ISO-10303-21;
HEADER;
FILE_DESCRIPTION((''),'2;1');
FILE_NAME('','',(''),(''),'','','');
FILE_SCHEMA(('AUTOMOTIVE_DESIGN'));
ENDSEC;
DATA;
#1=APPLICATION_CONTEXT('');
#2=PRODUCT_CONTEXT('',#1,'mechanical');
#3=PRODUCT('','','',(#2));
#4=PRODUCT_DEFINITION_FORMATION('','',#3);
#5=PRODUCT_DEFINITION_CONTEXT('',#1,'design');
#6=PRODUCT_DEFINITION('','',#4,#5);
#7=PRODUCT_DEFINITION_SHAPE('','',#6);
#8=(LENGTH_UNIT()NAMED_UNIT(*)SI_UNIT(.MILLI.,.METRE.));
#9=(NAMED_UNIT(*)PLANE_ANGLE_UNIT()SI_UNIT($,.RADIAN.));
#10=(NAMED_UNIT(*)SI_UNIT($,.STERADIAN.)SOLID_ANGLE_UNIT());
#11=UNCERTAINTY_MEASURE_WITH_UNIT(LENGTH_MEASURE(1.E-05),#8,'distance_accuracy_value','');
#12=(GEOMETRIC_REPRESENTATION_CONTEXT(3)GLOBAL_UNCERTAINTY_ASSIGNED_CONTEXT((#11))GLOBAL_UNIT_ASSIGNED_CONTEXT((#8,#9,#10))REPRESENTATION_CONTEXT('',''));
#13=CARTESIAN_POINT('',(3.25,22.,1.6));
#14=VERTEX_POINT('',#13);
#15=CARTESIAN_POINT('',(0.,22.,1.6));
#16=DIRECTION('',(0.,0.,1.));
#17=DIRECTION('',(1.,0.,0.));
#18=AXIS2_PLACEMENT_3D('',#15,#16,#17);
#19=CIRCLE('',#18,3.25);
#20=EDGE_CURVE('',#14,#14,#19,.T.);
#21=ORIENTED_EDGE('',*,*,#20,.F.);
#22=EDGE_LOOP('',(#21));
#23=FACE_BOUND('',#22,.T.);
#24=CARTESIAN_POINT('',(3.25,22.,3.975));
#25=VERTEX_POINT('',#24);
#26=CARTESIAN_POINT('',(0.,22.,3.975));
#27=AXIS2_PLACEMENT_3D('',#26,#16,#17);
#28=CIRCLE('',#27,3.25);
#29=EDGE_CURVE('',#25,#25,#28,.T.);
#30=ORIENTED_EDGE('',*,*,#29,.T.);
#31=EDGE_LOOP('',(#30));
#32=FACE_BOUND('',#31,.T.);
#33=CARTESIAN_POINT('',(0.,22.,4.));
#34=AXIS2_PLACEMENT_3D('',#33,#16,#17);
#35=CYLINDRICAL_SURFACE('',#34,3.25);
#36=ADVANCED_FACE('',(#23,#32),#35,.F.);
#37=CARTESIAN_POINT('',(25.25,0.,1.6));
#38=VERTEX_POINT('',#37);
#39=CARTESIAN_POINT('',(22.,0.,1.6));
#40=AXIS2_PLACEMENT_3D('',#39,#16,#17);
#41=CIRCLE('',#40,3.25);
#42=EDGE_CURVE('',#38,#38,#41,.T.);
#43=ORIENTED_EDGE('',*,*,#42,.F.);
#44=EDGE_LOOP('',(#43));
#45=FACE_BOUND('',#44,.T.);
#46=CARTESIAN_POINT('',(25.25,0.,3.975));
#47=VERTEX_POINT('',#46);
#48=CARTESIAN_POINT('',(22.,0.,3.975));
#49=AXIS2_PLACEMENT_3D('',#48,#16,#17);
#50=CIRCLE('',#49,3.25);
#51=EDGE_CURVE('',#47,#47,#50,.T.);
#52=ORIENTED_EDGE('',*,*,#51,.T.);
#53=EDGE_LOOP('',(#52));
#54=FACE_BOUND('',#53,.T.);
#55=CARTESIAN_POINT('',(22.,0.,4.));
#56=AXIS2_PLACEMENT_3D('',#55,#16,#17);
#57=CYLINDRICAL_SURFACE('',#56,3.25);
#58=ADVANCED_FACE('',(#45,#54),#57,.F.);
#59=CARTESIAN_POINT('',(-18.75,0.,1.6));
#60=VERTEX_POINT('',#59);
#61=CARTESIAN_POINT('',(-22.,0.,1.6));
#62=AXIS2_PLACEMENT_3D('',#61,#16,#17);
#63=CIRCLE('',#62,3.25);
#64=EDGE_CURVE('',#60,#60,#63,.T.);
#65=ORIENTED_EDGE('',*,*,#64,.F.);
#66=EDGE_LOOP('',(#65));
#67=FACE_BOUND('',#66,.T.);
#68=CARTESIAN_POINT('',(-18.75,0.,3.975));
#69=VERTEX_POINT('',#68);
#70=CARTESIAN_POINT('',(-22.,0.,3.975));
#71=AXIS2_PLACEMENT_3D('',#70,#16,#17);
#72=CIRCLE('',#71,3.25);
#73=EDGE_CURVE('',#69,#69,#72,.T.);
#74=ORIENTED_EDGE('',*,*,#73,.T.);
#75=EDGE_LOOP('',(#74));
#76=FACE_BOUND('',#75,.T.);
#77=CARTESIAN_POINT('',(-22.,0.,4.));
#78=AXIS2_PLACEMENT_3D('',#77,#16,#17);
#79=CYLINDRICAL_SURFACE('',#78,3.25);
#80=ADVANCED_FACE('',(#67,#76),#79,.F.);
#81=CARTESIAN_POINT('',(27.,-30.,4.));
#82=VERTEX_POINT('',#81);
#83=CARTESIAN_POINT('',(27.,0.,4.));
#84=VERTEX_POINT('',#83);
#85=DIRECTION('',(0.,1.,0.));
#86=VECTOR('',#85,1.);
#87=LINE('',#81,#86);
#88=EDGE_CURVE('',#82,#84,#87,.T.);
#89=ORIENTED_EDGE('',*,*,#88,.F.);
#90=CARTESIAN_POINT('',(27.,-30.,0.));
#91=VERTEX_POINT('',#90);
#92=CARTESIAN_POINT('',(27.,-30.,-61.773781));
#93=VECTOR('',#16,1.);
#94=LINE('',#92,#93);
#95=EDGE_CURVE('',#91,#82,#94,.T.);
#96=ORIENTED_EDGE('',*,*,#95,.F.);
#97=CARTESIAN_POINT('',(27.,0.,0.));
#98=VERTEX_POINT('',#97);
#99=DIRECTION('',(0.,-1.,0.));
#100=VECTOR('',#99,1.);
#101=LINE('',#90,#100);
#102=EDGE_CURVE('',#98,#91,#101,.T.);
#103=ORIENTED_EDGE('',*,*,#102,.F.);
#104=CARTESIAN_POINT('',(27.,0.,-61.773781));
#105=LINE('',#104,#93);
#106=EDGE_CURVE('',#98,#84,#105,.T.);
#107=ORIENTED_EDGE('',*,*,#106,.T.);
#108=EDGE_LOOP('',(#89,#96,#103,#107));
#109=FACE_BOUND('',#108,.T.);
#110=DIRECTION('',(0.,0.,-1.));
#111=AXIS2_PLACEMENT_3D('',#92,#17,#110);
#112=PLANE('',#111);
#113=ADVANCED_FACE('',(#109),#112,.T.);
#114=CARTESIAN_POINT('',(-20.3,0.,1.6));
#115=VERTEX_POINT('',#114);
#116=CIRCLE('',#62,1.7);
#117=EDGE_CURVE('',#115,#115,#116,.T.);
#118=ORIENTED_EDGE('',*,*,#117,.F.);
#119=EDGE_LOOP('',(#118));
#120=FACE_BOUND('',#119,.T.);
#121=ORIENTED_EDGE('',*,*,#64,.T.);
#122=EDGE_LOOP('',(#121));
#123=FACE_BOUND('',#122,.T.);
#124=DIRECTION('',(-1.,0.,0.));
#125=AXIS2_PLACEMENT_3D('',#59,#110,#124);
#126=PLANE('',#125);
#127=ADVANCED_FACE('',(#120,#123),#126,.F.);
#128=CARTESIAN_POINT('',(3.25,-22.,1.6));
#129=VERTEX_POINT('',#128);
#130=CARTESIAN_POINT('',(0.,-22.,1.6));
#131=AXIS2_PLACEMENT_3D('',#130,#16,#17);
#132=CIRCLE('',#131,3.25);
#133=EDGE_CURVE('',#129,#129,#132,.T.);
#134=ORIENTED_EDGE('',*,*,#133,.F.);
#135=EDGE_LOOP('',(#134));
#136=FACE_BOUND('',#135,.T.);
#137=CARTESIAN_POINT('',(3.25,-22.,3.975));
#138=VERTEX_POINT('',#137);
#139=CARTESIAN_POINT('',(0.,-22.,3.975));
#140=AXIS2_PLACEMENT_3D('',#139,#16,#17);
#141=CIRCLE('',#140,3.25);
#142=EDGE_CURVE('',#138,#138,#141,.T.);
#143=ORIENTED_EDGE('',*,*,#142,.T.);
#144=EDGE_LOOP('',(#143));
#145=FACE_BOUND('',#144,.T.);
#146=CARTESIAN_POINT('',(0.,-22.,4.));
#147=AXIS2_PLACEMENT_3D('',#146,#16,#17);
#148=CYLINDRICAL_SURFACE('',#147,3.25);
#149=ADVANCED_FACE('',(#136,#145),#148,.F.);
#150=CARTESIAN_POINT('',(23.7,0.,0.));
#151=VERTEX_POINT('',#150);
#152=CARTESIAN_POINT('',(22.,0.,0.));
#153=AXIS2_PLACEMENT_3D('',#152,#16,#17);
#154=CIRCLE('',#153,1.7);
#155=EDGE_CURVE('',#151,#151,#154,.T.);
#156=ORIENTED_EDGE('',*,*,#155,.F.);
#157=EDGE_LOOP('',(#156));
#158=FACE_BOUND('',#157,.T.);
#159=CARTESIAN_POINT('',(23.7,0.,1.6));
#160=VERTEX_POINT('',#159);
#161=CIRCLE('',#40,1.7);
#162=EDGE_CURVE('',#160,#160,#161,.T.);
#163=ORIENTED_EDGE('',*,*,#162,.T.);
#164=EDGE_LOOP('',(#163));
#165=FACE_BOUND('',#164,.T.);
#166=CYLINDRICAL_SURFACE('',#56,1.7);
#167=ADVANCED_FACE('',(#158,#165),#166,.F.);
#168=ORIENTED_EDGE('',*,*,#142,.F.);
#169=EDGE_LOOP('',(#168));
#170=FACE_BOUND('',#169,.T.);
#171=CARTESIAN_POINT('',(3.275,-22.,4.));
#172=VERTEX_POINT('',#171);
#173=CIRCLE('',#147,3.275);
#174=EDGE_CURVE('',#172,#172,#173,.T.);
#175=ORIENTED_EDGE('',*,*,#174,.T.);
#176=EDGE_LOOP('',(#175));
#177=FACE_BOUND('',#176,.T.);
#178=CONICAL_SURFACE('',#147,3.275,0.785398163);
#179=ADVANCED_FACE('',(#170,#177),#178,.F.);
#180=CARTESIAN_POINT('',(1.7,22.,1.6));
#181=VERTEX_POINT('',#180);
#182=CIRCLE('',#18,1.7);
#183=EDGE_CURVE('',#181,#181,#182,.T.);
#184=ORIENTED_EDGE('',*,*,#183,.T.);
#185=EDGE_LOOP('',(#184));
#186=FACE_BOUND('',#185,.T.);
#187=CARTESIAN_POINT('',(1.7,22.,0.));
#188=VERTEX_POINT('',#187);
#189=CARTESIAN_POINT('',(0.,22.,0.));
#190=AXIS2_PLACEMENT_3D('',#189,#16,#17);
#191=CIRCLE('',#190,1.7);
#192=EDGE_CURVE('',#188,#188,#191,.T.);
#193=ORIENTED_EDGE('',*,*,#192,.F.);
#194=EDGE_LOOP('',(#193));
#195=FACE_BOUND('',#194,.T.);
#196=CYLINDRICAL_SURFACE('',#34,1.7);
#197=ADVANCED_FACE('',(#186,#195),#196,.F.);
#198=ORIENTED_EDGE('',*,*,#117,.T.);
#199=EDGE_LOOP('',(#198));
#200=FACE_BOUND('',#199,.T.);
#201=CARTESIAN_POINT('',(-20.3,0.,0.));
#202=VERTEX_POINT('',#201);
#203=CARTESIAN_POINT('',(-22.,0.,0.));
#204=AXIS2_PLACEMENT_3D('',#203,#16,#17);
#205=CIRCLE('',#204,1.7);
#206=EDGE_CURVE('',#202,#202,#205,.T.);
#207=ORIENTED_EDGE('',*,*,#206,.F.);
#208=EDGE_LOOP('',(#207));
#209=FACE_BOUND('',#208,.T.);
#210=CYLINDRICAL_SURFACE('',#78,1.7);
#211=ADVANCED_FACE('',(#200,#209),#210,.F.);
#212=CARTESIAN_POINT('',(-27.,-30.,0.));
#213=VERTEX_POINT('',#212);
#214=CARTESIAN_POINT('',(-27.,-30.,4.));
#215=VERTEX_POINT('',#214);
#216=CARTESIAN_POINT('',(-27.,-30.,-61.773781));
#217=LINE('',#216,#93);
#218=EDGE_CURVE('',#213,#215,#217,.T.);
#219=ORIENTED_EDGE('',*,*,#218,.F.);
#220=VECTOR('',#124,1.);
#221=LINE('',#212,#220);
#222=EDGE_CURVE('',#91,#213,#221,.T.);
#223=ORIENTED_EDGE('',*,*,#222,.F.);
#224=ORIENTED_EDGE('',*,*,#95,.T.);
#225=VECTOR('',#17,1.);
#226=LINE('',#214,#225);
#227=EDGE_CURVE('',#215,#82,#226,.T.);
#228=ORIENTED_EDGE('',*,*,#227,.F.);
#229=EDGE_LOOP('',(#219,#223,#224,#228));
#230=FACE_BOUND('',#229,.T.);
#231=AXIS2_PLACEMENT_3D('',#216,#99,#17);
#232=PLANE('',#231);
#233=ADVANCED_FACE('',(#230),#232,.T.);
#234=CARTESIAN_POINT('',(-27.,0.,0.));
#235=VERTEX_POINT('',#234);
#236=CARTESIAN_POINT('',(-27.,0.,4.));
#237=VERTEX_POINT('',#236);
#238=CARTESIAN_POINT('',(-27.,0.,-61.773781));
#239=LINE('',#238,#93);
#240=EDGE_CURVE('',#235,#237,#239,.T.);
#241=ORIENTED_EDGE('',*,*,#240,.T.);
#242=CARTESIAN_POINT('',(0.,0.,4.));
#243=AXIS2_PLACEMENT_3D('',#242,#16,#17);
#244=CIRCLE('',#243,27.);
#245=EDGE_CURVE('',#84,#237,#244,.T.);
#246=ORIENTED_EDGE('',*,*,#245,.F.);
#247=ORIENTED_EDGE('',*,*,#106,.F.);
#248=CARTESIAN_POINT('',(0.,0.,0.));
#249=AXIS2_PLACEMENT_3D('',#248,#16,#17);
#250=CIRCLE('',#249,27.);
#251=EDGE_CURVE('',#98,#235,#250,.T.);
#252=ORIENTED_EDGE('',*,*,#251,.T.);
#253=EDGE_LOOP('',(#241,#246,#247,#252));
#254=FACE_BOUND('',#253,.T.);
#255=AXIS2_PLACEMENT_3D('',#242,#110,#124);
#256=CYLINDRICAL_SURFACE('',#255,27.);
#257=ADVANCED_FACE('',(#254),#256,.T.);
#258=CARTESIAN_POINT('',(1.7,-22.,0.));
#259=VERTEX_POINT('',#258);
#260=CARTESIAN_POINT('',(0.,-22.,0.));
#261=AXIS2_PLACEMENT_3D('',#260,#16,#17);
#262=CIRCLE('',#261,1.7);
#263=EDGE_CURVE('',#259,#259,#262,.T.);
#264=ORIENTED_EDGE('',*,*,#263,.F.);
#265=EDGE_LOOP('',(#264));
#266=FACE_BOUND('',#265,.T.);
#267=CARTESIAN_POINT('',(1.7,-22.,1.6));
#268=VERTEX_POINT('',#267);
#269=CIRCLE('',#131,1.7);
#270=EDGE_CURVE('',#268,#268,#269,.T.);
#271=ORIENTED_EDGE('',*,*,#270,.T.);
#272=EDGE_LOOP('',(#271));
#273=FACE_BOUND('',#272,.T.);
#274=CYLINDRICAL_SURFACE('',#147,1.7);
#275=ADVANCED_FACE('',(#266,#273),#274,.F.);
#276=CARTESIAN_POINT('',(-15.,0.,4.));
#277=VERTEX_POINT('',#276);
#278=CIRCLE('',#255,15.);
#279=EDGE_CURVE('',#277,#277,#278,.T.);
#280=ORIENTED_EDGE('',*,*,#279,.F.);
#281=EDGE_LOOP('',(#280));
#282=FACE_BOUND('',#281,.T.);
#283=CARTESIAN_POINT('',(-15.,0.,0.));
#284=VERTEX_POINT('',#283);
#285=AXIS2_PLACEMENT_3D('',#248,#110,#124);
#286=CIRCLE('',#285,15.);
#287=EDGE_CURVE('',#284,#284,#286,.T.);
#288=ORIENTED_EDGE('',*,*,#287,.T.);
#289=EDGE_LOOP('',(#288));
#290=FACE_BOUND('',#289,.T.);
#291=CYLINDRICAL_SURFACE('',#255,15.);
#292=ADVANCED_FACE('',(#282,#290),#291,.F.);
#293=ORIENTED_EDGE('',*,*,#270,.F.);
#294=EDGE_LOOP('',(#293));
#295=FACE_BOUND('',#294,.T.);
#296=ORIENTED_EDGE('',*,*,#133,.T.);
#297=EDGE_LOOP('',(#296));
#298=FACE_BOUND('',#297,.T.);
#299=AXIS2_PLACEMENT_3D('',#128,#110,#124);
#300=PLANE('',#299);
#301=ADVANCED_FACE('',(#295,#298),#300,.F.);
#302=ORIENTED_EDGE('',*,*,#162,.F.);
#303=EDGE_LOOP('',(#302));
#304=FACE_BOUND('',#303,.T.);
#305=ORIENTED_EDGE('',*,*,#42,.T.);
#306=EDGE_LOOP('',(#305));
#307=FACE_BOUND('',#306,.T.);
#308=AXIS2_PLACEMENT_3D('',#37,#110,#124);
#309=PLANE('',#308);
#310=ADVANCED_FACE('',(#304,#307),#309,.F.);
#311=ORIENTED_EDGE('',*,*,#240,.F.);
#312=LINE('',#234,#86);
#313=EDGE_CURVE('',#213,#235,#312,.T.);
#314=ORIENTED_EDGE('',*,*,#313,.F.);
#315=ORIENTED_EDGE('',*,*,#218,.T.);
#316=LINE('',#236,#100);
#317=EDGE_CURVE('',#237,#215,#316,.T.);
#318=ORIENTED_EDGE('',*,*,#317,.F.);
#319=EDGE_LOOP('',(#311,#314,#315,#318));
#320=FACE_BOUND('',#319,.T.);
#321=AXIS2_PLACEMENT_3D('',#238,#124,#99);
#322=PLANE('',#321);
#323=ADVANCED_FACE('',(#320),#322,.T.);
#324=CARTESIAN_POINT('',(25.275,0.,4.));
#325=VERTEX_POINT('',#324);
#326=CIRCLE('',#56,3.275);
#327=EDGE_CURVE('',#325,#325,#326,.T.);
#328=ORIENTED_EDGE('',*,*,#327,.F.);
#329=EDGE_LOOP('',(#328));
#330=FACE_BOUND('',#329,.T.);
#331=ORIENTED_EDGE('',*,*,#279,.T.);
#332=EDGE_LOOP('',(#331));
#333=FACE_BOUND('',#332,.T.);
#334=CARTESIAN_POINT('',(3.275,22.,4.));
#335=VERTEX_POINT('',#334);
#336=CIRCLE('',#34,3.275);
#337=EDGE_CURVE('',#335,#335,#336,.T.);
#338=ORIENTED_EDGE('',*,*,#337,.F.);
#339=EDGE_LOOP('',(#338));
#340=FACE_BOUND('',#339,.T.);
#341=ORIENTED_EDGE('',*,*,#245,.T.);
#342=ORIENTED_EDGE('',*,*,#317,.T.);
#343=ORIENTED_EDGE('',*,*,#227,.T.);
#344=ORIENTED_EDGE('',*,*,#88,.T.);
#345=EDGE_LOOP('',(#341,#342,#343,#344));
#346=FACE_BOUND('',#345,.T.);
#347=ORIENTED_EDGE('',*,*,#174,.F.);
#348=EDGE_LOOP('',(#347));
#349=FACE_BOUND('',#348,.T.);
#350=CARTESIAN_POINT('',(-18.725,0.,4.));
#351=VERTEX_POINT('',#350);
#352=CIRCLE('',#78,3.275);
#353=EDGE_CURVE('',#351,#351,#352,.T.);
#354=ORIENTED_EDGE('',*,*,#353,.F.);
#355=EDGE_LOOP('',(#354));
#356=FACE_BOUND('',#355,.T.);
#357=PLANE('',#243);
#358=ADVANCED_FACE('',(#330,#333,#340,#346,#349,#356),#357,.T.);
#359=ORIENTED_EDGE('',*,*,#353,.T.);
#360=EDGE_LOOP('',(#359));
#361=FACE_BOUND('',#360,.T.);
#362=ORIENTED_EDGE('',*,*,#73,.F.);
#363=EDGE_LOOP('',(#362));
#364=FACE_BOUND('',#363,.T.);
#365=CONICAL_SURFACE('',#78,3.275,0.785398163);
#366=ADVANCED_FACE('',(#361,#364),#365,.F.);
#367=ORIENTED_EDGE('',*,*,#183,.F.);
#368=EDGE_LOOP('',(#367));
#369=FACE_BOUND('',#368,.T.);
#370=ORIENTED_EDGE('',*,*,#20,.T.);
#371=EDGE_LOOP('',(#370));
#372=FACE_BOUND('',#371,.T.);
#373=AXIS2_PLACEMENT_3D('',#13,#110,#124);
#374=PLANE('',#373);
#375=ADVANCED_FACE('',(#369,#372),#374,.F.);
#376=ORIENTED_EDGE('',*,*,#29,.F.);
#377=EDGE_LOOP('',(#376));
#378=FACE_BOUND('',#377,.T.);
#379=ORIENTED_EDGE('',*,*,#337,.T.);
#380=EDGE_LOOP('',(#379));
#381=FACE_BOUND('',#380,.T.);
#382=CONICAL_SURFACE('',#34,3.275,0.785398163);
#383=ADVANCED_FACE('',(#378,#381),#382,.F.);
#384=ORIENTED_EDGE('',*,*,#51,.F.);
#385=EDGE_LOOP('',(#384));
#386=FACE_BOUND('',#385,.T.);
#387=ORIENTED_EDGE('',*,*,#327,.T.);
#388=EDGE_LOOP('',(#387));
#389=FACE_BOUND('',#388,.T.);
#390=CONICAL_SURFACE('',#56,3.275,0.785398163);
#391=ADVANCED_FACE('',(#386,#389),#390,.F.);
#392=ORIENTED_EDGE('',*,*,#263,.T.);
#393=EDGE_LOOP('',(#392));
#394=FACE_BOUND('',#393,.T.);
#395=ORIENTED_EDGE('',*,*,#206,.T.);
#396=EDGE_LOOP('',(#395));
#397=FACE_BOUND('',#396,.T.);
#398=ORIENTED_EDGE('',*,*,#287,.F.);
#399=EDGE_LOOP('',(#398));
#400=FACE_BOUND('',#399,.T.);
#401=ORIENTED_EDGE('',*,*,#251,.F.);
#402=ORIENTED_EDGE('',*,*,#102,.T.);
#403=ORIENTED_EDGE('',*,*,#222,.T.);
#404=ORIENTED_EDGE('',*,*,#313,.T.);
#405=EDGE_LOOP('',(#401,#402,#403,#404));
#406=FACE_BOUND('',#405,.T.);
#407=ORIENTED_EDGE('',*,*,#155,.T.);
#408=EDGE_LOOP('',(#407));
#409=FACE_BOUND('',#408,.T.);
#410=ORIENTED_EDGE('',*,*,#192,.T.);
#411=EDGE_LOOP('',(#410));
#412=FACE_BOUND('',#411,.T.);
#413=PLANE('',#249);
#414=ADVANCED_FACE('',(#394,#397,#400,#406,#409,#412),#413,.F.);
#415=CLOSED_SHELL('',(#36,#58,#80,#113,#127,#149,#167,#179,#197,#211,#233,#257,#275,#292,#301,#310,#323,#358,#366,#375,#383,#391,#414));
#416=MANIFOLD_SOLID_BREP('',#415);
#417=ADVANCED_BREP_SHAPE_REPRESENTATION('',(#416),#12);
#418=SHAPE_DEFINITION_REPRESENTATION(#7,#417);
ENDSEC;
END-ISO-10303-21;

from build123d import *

# Parameters (mm, degrees)
SKETCH1_R                                    = 27
BOSS_EXTRUDE1_DEPTH                          = 4
CBORE_FOR_M3_HEX_SOCKET_THIN_HEAD_CA_2_COUNT = 2
CBORE_FOR_M3_HEX_SOCKET_THIN_HEAD_CA_2_PITCH = 31.112698372
CBORE_FOR_M3_HEX_SOCKET_THIN_HEAD_CA_3_COUNT = 2
CBORE_FOR_M3_HEX_SOCKET_THIN_HEAD_CA_3_PITCH = 44
CBORE_FOR_M3_HEX_SOCKET_THIN_HEAD_CA_4_COUNT = 2
CBORE_FOR_M3_HEX_SOCKET_THIN_HEAD_CA_4_PITCH = 31.112698372
BOSS_EXTRUDE2_START                          = -4
BOSS_EXTRUDE2_DEPTH                          = 4
SKETCH5_R                                    = 15
CUT_EXTRUDE1_DEPTH                           = 41.558599581


with BuildPart() as part:
    # Sketch1 → Boss-Extrude1 (new body)
    with BuildSketch(Plane.XY):
        Circle(SKETCH1_R)
    extrude(amount=BOSS_EXTRUDE1_DEPTH)

    # Sketch3 → CBORE for M3 Hex Socket Thin Head Cap Screw1 (revolve, cut)
    with BuildSketch(Plane(origin=(-22, 0, 4), x_dir=(0, -1, 0), z_dir=(1, 0, 0))):
        Polygon((0, 0), (0, 4), (1.7, 4), (1.7, 2.4), (3.25, 2.4), (3.25, 0.025), (3.275, 0), align=None)
    cbore_for_m3_hex_socket_thin_head_cap_sc = revolve(axis=Axis((-22, 0, 10.35), (0, 0, -1)), mode=Mode.SUBTRACT)

    # CBORE for M3 Hex Socket Thin Head Ca 2: CBORE for M3 Hex Socket Thin Head Cap Screw1 ×2
    with Locations(*[Vector(0.7071067811865277, 0.7071067811865674, 0) * (i * CBORE_FOR_M3_HEX_SOCKET_THIN_HEAD_CA_2_PITCH) for i in range(1, CBORE_FOR_M3_HEX_SOCKET_THIN_HEAD_CA_2_COUNT)]):
        add(cbore_for_m3_hex_socket_thin_head_cap_sc, mode=Mode.SUBTRACT)

    # CBORE for M3 Hex Socket Thin Head Ca 3: CBORE for M3 Hex Socket Thin Head Cap Screw1 ×2
    with Locations(*[(i * CBORE_FOR_M3_HEX_SOCKET_THIN_HEAD_CA_3_PITCH, 0, 0) for i in range(1, CBORE_FOR_M3_HEX_SOCKET_THIN_HEAD_CA_3_COUNT)]):
        add(cbore_for_m3_hex_socket_thin_head_cap_sc, mode=Mode.SUBTRACT)

    # CBORE for M3 Hex Socket Thin Head Ca 4: CBORE for M3 Hex Socket Thin Head Cap Screw1 ×2
    with Locations(*[Vector(0.7071067811865676, -0.7071067811865276, 0) * (i * CBORE_FOR_M3_HEX_SOCKET_THIN_HEAD_CA_4_PITCH) for i in range(1, CBORE_FOR_M3_HEX_SOCKET_THIN_HEAD_CA_4_COUNT)]):
        add(cbore_for_m3_hex_socket_thin_head_cap_sc, mode=Mode.SUBTRACT)

    # Sketch4 → Boss-Extrude2 (add)
    with BuildSketch(Plane.XY.offset(4).offset(BOSS_EXTRUDE2_START)):
        with BuildLine():
            Line((-27, 0), (-27, -30))
            Line((-27, -30), (27, -30))
            Line((27, -30), (27, 0))
            ThreePointArc((27, 0), (0, -27), (-27, 0))
        make_face()
    extrude(amount=BOSS_EXTRUDE2_DEPTH)

    # Sketch5 → Cut-Extrude1 (cut, through all)
    with BuildSketch(Plane(origin=(0, 0, 0), x_dir=(-1, 0, 0), z_dir=(0, 0, -1))):
        Circle(SKETCH5_R)
    extrude(amount=-CUT_EXTRUDE1_DEPTH, mode=Mode.SUBTRACT)


solid = part.part
